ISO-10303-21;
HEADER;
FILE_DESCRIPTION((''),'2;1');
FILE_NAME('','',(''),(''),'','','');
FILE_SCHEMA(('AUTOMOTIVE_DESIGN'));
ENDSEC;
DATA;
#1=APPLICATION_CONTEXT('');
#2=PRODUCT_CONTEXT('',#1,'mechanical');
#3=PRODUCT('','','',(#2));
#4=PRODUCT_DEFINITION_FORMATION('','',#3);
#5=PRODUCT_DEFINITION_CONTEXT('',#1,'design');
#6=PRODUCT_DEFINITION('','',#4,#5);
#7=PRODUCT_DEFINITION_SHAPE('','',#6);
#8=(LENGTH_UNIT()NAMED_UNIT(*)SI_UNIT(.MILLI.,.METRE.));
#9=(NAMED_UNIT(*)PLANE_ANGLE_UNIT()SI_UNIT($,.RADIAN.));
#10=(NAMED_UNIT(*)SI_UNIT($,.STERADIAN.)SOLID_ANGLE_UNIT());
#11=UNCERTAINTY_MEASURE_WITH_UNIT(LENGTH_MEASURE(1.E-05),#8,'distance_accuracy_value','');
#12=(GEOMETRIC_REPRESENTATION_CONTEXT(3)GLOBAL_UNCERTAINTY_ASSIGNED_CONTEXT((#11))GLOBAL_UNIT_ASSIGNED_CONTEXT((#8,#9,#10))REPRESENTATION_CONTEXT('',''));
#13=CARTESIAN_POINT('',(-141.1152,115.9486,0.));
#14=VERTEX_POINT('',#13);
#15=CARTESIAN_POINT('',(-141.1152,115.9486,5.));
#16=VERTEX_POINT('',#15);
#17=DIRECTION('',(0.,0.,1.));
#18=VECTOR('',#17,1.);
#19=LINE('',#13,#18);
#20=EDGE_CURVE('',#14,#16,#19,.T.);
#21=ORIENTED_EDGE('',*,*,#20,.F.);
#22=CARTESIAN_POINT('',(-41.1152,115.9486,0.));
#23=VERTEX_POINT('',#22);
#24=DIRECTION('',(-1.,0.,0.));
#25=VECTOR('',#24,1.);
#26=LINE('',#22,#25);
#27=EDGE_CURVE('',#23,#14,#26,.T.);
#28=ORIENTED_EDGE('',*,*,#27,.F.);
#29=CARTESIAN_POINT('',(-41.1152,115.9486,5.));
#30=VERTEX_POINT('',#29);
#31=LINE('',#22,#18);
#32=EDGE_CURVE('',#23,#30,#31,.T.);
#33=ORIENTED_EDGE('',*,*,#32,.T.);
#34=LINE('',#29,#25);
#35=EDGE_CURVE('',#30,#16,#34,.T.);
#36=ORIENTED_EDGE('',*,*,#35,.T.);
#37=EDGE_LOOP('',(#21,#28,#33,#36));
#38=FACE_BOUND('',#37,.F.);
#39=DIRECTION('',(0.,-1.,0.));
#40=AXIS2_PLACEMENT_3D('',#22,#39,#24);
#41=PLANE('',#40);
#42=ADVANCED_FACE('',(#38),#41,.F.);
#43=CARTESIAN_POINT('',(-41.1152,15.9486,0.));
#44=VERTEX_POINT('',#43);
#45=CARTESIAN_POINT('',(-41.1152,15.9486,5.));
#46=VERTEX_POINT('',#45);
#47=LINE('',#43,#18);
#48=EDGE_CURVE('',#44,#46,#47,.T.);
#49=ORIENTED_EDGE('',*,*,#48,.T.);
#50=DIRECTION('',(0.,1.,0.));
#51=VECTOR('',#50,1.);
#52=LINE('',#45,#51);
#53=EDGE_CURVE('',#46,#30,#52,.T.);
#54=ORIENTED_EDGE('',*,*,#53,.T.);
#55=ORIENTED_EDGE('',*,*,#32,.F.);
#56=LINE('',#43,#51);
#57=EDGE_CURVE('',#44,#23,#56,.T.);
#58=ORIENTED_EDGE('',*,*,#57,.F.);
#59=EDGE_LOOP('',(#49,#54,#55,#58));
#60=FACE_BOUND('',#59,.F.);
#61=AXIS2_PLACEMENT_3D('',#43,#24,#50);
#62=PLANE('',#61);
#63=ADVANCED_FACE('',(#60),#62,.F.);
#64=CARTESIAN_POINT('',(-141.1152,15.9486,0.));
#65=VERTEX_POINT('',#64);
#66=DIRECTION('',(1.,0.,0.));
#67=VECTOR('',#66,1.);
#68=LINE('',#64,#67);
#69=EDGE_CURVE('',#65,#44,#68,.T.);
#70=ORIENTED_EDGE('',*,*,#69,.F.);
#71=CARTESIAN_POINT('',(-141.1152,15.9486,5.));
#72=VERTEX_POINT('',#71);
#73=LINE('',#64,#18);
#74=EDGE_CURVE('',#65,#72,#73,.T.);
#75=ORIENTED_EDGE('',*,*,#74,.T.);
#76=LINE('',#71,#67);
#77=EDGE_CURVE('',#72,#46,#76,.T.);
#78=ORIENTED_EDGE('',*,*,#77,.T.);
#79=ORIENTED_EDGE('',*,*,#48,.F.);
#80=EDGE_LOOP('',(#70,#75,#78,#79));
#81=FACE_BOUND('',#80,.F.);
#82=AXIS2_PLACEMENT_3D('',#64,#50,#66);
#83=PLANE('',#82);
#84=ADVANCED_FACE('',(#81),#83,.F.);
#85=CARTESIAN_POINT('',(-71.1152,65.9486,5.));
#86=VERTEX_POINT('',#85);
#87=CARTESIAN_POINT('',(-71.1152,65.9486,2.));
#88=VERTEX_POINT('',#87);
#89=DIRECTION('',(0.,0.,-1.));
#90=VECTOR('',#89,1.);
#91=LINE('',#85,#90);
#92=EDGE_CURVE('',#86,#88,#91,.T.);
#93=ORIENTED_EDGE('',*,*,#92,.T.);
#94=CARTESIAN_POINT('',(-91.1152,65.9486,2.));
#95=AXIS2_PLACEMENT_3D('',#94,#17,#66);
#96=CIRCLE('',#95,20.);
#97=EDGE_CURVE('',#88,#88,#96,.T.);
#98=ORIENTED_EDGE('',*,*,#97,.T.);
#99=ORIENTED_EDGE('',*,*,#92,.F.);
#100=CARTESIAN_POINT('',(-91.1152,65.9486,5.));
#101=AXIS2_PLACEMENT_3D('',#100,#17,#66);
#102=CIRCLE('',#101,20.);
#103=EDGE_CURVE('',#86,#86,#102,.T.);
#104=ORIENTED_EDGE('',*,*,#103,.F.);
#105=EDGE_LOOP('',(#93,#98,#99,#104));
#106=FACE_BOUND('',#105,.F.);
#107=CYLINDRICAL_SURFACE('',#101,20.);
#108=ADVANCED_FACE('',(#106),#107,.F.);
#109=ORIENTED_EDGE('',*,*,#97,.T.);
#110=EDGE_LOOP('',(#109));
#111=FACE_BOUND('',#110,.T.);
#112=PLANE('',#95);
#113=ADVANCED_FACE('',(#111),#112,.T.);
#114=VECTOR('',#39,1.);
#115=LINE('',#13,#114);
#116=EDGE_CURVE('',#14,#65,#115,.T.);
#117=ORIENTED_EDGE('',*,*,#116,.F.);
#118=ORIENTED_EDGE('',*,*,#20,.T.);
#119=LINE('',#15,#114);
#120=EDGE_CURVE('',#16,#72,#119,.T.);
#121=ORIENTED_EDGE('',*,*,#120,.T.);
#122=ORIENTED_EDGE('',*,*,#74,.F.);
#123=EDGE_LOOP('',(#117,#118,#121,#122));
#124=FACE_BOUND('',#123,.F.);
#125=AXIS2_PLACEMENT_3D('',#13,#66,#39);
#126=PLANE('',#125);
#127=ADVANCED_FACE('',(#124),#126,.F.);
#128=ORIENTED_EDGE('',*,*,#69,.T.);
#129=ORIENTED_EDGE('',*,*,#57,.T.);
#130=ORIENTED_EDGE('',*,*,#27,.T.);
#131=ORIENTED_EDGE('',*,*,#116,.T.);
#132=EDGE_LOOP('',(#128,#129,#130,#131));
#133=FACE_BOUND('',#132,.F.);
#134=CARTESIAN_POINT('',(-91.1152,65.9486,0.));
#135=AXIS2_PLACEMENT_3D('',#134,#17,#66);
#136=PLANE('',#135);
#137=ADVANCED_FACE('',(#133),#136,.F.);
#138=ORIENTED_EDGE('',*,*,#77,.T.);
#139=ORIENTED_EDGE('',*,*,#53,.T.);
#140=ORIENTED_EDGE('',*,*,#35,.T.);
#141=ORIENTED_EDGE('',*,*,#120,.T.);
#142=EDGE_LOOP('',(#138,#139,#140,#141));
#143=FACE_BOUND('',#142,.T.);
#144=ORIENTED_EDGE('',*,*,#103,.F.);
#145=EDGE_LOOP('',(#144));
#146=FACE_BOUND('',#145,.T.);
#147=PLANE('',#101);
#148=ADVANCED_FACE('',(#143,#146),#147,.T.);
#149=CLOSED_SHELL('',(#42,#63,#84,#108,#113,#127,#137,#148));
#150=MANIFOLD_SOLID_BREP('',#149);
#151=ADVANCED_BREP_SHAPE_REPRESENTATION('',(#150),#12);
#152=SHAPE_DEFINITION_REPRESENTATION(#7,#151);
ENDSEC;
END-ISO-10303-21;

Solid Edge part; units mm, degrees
sketch "Sketch1" plane through (0, 0, 0) normal (0, 0, 1) x (1, 0, 0)
  line L0 (-141.1152, 15.9486) -> (-41.1152, 15.9486)
  line L1 (-41.1152, 15.9486) -> (-41.1152, 115.9486)
  line L2 (-41.1152, 115.9486) -> (-141.1152, 115.9486)
  line L3 (-141.1152, 115.9486) -> (-141.1152, 15.9486)
  dimension "D1" = 100
  dimension "D2" = 100
extrude "Protrusion1" add sketch "Sketch1" along normal blind 5
sketch "Sketch2" plane through (-66.1152, 40.9486, 5) normal (0, 0, 1) x (1, 0, 0)
  circle A0 centre (-25, 25) radius 20
  dimension "D1" = 50
  dimension "D2" = 50
extrude "ExtrudedCutout_1" cut sketch "Sketch2" against normal blind 3
